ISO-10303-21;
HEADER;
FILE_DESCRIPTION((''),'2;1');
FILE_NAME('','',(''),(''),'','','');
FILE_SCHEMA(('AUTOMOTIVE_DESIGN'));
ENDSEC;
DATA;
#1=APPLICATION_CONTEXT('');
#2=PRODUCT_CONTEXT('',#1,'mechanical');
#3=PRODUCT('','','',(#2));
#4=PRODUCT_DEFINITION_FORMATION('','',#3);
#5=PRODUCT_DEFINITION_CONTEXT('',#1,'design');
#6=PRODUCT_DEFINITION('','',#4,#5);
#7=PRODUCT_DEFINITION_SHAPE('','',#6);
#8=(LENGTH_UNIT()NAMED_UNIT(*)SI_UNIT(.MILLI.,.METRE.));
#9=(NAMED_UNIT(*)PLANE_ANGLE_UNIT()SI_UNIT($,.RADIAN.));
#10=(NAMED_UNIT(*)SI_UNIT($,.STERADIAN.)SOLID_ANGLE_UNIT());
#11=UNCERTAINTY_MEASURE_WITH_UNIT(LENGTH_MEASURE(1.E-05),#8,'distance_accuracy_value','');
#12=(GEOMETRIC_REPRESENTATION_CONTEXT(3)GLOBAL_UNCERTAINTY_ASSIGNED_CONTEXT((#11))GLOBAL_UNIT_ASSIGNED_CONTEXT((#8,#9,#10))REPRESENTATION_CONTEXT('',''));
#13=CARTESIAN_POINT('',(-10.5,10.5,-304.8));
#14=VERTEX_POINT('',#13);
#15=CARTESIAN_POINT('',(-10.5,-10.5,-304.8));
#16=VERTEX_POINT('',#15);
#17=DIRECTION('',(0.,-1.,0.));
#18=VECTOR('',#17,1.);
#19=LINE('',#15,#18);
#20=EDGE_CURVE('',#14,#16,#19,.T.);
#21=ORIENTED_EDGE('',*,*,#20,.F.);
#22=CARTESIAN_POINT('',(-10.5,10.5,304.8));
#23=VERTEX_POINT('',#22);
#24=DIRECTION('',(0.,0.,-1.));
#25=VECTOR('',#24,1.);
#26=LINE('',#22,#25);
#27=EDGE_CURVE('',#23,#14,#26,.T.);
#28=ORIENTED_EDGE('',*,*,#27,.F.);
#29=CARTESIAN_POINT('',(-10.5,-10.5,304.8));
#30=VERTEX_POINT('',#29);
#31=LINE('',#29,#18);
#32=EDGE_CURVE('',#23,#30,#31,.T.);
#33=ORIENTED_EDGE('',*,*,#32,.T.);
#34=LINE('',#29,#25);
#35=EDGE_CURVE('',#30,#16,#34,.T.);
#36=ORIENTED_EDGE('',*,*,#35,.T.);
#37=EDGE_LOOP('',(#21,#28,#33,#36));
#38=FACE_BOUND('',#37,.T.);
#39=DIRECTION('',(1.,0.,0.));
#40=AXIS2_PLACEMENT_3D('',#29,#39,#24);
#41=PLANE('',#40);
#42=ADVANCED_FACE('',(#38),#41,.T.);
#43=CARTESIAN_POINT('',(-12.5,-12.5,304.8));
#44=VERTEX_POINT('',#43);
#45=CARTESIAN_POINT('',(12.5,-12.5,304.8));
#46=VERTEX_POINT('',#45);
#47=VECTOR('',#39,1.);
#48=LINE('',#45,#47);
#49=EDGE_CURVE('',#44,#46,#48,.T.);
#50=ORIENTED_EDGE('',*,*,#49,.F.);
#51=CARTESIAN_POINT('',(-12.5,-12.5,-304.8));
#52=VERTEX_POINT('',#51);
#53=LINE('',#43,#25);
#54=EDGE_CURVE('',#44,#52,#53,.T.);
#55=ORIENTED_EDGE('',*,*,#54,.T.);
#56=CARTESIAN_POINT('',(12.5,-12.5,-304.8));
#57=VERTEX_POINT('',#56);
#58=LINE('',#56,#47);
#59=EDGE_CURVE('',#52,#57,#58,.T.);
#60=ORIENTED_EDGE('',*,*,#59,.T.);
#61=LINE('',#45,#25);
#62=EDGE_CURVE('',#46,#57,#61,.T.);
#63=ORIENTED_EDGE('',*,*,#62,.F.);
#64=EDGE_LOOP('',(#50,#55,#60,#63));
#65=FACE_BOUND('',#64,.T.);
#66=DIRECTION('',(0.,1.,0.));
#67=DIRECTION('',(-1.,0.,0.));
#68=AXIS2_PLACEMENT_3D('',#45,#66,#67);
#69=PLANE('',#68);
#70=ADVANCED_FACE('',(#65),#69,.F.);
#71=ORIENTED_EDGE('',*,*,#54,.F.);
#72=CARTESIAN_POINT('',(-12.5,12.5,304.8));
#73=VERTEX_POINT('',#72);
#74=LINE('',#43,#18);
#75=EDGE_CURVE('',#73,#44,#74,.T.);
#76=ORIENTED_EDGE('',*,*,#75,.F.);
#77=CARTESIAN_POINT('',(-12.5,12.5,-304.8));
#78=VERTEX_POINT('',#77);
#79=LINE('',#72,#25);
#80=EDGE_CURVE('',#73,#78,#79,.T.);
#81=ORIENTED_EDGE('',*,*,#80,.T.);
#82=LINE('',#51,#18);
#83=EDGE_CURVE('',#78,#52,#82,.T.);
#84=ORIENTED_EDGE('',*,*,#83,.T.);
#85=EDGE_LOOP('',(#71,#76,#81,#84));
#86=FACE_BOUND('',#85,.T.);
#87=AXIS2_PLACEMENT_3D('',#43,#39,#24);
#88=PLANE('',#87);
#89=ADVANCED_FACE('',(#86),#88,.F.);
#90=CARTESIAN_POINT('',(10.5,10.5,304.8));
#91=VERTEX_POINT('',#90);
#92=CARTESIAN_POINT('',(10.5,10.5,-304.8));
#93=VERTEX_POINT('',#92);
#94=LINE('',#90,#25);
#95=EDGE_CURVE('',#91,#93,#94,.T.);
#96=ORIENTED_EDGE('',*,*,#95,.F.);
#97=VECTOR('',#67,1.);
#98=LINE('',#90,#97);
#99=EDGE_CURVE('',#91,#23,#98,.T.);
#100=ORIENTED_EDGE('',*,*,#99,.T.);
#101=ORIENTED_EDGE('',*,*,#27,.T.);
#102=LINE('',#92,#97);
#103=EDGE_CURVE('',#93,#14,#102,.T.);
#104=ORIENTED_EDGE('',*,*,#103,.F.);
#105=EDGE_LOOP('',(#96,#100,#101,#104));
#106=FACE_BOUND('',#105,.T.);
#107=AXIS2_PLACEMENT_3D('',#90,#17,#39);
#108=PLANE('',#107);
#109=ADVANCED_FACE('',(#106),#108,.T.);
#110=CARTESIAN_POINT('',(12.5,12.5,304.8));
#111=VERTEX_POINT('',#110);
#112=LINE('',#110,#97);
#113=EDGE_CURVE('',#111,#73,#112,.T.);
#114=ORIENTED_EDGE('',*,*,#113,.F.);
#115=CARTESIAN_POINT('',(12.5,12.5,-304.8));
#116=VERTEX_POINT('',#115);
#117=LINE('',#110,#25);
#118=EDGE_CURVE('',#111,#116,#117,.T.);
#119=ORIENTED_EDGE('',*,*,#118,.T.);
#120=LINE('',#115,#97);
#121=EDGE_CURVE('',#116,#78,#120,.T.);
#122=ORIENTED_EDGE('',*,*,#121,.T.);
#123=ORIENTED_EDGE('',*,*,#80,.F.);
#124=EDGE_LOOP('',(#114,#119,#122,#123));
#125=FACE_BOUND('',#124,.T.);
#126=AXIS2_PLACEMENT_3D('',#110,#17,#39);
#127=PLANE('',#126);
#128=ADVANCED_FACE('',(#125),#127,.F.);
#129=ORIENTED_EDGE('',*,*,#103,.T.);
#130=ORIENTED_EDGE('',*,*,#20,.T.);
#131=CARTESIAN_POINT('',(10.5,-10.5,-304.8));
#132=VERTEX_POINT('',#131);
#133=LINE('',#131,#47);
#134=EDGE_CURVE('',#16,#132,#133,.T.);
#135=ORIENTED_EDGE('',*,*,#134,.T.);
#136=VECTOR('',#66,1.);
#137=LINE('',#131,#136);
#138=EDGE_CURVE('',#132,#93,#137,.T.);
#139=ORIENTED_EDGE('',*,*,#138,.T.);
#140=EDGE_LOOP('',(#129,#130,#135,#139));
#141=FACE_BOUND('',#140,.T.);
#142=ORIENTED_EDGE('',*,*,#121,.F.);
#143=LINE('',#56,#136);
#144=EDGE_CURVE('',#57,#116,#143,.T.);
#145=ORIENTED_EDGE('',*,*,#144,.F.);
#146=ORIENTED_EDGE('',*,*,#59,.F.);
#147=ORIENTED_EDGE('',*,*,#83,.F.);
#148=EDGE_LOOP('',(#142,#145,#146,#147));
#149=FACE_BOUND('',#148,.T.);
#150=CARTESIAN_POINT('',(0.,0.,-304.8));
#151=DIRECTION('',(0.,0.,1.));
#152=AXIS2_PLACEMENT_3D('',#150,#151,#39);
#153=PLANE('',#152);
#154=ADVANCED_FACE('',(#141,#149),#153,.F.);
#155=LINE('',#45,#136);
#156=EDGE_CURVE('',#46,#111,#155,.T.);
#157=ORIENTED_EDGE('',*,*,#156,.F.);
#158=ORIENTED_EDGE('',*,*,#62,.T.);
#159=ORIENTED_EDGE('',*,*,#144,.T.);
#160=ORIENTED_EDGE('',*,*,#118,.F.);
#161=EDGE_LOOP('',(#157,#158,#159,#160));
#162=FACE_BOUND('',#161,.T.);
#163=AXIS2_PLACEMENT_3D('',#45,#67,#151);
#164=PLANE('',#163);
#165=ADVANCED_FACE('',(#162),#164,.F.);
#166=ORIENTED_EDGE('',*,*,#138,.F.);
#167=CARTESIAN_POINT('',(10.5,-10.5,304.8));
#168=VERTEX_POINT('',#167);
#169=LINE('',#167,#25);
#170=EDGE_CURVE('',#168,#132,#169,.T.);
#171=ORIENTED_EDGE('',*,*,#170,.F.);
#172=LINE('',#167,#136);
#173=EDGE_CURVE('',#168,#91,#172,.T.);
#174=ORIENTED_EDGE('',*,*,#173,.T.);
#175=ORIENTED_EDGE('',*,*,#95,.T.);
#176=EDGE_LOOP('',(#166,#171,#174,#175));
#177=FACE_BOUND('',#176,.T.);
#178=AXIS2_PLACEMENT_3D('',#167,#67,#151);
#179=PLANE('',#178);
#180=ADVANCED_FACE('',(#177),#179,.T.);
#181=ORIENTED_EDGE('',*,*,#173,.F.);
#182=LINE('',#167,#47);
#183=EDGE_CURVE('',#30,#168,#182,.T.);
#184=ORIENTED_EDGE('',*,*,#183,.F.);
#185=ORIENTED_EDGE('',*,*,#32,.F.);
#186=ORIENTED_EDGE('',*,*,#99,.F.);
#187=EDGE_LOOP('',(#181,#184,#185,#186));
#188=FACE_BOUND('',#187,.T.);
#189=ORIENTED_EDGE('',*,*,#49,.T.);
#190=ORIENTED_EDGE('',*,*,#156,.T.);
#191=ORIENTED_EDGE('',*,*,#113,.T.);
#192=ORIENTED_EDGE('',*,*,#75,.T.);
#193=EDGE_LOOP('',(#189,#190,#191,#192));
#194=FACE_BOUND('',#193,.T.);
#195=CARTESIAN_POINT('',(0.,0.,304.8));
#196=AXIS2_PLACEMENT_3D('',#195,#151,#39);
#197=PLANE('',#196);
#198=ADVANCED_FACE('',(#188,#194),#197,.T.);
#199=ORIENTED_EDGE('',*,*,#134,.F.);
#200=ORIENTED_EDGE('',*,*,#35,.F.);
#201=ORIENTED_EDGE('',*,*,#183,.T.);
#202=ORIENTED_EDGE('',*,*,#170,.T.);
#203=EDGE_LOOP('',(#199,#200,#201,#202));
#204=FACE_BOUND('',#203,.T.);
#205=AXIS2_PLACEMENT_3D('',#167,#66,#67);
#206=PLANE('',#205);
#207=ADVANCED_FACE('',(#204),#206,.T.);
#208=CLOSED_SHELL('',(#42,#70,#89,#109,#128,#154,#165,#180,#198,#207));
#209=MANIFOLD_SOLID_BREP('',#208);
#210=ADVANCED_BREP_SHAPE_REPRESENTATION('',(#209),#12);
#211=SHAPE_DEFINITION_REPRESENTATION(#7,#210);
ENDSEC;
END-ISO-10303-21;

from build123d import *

# Parameters (mm, degrees)
BOSS_EXTRUDE1_DEPTH      = 304.8
BOSS_EXTRUDE1_DEPTH_BACK = 304.8
SKETCH3_W                = 25
SKETCH3_H                = 25
SKETCH3_W_2              = 21
SKETCH3_H_2              = 21


with BuildPart() as part:
    # Sketch3 → Boss-Extrude1 (new, two sides: drawn at the far end of the back side and taken through both)
    with BuildSketch(Plane.XY.offset(-BOSS_EXTRUDE1_DEPTH_BACK)):
        Rectangle(SKETCH3_W, SKETCH3_H)
        Rectangle(SKETCH3_W_2, SKETCH3_H_2, mode=Mode.SUBTRACT)
    extrude(amount=BOSS_EXTRUDE1_DEPTH + BOSS_EXTRUDE1_DEPTH_BACK)


solid = part.part
